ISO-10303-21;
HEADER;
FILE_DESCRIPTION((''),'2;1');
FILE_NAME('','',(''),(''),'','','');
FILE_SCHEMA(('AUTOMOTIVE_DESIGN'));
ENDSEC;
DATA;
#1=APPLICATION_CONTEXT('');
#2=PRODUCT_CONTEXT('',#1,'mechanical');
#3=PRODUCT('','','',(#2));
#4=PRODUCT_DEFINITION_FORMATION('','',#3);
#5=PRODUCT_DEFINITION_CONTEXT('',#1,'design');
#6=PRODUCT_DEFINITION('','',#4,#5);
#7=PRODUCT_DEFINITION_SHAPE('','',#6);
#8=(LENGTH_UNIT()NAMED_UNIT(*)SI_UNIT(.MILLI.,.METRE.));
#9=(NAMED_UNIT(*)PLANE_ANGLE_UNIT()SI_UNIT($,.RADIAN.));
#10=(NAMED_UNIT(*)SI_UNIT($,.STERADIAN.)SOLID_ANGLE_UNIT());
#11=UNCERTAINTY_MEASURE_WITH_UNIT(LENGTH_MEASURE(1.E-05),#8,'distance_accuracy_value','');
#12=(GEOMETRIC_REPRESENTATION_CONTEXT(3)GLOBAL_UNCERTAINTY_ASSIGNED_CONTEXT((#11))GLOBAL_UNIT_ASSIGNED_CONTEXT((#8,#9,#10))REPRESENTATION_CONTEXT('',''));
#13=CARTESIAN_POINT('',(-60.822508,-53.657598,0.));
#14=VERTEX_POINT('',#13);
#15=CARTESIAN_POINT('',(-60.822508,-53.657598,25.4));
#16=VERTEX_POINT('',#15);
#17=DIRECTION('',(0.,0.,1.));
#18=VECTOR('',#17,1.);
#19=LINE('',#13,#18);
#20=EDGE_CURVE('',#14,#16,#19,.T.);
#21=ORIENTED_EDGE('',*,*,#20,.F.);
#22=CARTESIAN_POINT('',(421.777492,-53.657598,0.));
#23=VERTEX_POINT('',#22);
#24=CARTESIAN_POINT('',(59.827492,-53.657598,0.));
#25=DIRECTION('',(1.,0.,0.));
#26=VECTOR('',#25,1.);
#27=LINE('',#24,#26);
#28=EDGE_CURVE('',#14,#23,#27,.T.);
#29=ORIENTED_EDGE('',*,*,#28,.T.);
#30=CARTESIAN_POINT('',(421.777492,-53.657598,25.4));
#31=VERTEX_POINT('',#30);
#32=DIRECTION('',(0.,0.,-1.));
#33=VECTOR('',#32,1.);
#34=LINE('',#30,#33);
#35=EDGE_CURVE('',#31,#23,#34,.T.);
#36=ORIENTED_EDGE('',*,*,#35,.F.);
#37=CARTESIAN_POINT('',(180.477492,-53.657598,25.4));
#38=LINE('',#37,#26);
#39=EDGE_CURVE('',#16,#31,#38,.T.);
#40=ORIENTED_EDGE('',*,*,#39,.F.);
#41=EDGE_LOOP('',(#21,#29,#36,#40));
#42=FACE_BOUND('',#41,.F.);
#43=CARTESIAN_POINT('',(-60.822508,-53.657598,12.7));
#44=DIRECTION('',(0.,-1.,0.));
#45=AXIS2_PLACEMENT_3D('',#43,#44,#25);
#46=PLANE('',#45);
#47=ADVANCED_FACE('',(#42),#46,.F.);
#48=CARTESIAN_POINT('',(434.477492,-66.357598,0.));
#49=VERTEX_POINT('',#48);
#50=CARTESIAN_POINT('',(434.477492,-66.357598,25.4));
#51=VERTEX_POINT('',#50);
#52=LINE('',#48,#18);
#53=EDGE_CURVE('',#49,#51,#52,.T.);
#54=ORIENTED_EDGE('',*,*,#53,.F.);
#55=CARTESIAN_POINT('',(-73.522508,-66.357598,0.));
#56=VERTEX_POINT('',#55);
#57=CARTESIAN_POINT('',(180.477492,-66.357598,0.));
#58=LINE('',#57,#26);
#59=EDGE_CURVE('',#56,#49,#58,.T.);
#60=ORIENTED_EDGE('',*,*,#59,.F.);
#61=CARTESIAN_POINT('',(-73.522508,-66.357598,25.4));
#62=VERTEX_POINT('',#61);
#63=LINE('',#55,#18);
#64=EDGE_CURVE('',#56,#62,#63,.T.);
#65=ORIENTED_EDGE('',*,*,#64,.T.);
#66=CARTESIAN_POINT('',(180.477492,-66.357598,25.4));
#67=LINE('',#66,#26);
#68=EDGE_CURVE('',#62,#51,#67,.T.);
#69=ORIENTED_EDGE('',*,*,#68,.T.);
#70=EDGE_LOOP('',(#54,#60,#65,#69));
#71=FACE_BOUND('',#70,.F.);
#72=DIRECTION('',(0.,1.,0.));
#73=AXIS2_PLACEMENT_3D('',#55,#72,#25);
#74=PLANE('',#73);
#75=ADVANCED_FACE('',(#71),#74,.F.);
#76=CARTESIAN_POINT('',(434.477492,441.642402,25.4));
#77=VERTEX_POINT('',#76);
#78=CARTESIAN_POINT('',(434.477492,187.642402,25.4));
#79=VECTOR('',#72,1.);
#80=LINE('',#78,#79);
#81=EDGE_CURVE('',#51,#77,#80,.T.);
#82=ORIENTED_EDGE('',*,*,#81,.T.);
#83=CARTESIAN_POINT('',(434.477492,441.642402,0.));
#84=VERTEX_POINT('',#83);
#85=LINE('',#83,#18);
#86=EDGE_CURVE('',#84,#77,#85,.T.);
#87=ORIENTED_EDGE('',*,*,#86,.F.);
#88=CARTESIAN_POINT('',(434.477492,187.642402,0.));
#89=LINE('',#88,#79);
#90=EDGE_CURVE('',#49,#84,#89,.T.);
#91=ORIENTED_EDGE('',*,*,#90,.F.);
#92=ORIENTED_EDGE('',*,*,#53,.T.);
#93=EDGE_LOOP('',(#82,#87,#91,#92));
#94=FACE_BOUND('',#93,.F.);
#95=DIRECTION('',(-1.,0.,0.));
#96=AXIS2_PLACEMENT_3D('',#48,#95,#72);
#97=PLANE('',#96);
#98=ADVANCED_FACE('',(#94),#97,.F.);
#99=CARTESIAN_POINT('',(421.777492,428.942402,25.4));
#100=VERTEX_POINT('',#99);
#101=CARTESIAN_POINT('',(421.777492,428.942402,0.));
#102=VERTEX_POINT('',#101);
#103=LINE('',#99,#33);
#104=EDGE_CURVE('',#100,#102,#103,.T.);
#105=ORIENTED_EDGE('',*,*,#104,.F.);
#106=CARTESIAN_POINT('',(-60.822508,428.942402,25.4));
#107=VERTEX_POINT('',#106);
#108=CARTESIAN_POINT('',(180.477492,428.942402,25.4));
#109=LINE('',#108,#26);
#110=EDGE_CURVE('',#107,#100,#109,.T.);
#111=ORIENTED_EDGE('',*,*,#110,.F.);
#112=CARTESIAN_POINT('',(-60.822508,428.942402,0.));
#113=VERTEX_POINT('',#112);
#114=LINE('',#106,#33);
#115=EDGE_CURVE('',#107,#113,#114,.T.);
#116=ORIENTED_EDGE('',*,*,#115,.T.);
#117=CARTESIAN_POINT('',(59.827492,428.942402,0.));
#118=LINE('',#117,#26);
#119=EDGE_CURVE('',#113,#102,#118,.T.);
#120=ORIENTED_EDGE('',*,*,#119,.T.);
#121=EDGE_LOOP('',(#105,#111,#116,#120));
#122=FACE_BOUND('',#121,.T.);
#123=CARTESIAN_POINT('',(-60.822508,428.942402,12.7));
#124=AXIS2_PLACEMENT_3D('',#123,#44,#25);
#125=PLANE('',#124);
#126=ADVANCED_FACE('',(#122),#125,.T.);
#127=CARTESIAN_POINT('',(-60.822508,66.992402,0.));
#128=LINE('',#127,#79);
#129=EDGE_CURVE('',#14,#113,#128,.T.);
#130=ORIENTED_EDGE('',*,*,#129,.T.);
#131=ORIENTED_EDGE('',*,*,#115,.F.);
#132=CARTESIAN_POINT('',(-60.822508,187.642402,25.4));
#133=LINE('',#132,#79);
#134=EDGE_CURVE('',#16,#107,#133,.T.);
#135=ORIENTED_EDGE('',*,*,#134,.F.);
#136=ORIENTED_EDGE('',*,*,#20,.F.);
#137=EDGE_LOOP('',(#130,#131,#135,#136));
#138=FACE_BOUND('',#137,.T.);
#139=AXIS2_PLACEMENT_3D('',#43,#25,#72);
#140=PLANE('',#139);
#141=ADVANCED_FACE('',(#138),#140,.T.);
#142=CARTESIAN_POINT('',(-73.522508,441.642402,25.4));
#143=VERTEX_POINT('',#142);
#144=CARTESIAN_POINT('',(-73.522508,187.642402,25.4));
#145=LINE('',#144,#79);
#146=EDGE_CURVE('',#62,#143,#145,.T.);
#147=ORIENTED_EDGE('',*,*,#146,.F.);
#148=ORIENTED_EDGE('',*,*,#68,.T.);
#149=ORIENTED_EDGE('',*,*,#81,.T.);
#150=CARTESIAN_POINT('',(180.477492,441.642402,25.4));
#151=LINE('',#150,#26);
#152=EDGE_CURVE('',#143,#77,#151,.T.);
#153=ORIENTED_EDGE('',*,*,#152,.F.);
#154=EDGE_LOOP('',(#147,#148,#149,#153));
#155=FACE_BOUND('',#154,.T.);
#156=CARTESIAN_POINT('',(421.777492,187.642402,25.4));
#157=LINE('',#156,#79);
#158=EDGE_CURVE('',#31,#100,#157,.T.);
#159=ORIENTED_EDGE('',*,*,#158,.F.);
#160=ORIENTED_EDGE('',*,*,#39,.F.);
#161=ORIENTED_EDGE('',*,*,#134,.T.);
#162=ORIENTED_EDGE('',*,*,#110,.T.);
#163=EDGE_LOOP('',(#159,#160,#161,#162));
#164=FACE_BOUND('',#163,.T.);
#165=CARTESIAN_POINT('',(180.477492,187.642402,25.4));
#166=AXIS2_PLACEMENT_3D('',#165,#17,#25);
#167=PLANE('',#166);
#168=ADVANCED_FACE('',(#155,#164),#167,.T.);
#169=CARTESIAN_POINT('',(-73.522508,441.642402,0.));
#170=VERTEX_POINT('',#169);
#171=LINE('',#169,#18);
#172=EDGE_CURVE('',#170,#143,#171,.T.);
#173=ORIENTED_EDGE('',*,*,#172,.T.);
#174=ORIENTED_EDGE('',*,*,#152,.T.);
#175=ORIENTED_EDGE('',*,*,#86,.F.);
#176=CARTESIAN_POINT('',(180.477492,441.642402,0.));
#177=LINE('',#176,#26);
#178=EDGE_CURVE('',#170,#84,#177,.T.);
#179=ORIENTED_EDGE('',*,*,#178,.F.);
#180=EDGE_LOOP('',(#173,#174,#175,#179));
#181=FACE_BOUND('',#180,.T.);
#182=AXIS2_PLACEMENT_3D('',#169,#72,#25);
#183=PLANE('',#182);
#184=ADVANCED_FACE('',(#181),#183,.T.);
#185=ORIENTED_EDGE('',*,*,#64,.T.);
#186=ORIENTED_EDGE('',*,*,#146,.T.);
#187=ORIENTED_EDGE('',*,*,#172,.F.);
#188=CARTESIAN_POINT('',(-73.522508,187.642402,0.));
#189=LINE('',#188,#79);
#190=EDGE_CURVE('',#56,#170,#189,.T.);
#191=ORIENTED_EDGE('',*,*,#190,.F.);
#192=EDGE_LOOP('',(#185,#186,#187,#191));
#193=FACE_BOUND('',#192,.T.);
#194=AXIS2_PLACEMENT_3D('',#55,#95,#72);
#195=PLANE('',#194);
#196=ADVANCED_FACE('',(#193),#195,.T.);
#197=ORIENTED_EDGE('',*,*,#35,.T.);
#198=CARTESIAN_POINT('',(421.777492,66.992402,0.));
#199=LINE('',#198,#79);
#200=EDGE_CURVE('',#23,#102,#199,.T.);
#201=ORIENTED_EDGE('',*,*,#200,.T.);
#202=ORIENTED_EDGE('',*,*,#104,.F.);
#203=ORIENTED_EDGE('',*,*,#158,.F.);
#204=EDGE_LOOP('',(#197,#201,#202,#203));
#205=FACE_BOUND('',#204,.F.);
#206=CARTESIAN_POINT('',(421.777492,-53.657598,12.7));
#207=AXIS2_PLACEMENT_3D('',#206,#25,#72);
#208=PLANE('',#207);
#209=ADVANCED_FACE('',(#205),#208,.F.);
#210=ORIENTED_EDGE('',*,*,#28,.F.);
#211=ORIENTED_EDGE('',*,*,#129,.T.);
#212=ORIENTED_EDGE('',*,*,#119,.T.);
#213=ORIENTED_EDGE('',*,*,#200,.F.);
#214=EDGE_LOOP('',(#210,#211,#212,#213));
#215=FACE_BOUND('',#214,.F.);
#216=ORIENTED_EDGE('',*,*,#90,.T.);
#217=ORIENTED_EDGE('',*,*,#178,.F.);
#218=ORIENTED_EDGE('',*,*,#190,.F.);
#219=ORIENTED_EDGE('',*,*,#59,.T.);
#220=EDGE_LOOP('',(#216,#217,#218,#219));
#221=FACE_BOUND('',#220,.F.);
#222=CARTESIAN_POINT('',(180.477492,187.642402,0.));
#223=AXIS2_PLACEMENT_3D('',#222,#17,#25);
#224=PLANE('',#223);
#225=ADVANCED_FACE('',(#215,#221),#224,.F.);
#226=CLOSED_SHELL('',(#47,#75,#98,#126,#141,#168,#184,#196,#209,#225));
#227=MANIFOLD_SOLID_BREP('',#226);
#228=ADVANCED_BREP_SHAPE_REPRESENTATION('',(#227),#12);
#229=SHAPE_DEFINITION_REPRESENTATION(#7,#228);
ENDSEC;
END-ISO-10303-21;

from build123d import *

# Parameters (mm, degrees)
F0_W     = 508
F0_H     = 508
F1_DEPTH = 25.4
F2_T     = -12.7
F3_DEPTH = 1396.1044084281


with BuildPart() as f1:
    # F0 (on Top) → F1 (new body)
    with BuildSketch(Plane.XY):
        with Locations((180.4774918556, 187.6424022913)):
            Rectangle(F0_W, F0_H)
    extrude(amount=F1_DEPTH)

    # F2
    f2_openings = [f1.faces().sort_by_distance(p)[0] for p in [
        (180.477492, 187.642402, 25.4),
    ]]
    offset(amount=F2_T, openings=f2_openings)

    # F3 (cut): a face of the model
    f3_faces = [f1.faces().sort_by_distance(p)[0] for p in [
        (180.4774918556, 187.6424022913, 12.7),
    ]]
    extrude(f3_faces, amount=-F3_DEPTH, mode=Mode.SUBTRACT)


solid = f1.part
